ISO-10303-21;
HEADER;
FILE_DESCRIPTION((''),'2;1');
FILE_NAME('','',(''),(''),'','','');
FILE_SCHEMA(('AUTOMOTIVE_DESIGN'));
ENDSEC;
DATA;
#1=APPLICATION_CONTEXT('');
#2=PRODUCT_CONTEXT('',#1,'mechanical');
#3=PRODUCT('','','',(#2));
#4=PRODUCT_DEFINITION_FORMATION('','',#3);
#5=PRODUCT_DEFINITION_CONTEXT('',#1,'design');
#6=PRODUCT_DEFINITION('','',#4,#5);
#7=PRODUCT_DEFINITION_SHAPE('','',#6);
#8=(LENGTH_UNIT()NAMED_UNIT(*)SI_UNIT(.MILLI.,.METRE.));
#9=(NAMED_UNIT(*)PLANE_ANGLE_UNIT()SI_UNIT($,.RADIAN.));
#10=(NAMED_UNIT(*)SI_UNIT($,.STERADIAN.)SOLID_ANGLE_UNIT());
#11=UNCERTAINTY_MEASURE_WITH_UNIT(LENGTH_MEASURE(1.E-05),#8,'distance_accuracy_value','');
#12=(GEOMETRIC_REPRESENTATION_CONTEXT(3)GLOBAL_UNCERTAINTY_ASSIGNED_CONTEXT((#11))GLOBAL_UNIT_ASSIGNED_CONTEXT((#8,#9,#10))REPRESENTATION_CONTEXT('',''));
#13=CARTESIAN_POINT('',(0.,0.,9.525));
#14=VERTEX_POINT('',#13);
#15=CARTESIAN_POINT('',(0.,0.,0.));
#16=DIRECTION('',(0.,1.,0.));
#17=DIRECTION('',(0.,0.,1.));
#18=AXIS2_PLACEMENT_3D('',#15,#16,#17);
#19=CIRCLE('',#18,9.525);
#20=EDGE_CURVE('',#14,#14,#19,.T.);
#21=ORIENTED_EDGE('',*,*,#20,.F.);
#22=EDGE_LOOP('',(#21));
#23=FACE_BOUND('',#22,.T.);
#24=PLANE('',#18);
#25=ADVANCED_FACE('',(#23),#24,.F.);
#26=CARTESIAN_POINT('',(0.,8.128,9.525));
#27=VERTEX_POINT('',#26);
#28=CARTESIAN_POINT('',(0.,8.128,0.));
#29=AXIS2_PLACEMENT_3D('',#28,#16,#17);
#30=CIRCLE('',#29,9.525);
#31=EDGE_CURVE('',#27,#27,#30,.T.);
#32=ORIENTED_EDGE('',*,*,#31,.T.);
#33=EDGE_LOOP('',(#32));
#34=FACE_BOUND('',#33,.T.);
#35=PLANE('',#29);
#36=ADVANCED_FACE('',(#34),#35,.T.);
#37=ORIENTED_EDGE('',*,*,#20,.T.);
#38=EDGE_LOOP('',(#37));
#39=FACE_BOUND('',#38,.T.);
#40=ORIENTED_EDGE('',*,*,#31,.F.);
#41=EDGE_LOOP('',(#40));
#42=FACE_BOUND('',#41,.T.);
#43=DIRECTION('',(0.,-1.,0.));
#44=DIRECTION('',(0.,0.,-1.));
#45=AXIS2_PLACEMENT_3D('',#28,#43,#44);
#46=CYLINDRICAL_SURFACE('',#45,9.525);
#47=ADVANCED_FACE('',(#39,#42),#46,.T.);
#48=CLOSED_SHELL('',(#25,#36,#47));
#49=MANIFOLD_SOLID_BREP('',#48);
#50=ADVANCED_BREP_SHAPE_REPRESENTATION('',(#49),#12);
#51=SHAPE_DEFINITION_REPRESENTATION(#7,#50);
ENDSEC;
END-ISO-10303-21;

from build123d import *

# Parameters (mm, degrees)
SKETCH1_R           = 9.525
BOSS_EXTRUDE1_DEPTH = 8.128


with BuildPart() as part:
    # Sketch1 → Boss-Extrude1 (new body)
    with BuildSketch(Plane(origin=(0, 0, 0), x_dir=(1, 0, 0), z_dir=(0, 1, 0))):
        Circle(SKETCH1_R)
    extrude(amount=BOSS_EXTRUDE1_DEPTH)


solid = part.part
